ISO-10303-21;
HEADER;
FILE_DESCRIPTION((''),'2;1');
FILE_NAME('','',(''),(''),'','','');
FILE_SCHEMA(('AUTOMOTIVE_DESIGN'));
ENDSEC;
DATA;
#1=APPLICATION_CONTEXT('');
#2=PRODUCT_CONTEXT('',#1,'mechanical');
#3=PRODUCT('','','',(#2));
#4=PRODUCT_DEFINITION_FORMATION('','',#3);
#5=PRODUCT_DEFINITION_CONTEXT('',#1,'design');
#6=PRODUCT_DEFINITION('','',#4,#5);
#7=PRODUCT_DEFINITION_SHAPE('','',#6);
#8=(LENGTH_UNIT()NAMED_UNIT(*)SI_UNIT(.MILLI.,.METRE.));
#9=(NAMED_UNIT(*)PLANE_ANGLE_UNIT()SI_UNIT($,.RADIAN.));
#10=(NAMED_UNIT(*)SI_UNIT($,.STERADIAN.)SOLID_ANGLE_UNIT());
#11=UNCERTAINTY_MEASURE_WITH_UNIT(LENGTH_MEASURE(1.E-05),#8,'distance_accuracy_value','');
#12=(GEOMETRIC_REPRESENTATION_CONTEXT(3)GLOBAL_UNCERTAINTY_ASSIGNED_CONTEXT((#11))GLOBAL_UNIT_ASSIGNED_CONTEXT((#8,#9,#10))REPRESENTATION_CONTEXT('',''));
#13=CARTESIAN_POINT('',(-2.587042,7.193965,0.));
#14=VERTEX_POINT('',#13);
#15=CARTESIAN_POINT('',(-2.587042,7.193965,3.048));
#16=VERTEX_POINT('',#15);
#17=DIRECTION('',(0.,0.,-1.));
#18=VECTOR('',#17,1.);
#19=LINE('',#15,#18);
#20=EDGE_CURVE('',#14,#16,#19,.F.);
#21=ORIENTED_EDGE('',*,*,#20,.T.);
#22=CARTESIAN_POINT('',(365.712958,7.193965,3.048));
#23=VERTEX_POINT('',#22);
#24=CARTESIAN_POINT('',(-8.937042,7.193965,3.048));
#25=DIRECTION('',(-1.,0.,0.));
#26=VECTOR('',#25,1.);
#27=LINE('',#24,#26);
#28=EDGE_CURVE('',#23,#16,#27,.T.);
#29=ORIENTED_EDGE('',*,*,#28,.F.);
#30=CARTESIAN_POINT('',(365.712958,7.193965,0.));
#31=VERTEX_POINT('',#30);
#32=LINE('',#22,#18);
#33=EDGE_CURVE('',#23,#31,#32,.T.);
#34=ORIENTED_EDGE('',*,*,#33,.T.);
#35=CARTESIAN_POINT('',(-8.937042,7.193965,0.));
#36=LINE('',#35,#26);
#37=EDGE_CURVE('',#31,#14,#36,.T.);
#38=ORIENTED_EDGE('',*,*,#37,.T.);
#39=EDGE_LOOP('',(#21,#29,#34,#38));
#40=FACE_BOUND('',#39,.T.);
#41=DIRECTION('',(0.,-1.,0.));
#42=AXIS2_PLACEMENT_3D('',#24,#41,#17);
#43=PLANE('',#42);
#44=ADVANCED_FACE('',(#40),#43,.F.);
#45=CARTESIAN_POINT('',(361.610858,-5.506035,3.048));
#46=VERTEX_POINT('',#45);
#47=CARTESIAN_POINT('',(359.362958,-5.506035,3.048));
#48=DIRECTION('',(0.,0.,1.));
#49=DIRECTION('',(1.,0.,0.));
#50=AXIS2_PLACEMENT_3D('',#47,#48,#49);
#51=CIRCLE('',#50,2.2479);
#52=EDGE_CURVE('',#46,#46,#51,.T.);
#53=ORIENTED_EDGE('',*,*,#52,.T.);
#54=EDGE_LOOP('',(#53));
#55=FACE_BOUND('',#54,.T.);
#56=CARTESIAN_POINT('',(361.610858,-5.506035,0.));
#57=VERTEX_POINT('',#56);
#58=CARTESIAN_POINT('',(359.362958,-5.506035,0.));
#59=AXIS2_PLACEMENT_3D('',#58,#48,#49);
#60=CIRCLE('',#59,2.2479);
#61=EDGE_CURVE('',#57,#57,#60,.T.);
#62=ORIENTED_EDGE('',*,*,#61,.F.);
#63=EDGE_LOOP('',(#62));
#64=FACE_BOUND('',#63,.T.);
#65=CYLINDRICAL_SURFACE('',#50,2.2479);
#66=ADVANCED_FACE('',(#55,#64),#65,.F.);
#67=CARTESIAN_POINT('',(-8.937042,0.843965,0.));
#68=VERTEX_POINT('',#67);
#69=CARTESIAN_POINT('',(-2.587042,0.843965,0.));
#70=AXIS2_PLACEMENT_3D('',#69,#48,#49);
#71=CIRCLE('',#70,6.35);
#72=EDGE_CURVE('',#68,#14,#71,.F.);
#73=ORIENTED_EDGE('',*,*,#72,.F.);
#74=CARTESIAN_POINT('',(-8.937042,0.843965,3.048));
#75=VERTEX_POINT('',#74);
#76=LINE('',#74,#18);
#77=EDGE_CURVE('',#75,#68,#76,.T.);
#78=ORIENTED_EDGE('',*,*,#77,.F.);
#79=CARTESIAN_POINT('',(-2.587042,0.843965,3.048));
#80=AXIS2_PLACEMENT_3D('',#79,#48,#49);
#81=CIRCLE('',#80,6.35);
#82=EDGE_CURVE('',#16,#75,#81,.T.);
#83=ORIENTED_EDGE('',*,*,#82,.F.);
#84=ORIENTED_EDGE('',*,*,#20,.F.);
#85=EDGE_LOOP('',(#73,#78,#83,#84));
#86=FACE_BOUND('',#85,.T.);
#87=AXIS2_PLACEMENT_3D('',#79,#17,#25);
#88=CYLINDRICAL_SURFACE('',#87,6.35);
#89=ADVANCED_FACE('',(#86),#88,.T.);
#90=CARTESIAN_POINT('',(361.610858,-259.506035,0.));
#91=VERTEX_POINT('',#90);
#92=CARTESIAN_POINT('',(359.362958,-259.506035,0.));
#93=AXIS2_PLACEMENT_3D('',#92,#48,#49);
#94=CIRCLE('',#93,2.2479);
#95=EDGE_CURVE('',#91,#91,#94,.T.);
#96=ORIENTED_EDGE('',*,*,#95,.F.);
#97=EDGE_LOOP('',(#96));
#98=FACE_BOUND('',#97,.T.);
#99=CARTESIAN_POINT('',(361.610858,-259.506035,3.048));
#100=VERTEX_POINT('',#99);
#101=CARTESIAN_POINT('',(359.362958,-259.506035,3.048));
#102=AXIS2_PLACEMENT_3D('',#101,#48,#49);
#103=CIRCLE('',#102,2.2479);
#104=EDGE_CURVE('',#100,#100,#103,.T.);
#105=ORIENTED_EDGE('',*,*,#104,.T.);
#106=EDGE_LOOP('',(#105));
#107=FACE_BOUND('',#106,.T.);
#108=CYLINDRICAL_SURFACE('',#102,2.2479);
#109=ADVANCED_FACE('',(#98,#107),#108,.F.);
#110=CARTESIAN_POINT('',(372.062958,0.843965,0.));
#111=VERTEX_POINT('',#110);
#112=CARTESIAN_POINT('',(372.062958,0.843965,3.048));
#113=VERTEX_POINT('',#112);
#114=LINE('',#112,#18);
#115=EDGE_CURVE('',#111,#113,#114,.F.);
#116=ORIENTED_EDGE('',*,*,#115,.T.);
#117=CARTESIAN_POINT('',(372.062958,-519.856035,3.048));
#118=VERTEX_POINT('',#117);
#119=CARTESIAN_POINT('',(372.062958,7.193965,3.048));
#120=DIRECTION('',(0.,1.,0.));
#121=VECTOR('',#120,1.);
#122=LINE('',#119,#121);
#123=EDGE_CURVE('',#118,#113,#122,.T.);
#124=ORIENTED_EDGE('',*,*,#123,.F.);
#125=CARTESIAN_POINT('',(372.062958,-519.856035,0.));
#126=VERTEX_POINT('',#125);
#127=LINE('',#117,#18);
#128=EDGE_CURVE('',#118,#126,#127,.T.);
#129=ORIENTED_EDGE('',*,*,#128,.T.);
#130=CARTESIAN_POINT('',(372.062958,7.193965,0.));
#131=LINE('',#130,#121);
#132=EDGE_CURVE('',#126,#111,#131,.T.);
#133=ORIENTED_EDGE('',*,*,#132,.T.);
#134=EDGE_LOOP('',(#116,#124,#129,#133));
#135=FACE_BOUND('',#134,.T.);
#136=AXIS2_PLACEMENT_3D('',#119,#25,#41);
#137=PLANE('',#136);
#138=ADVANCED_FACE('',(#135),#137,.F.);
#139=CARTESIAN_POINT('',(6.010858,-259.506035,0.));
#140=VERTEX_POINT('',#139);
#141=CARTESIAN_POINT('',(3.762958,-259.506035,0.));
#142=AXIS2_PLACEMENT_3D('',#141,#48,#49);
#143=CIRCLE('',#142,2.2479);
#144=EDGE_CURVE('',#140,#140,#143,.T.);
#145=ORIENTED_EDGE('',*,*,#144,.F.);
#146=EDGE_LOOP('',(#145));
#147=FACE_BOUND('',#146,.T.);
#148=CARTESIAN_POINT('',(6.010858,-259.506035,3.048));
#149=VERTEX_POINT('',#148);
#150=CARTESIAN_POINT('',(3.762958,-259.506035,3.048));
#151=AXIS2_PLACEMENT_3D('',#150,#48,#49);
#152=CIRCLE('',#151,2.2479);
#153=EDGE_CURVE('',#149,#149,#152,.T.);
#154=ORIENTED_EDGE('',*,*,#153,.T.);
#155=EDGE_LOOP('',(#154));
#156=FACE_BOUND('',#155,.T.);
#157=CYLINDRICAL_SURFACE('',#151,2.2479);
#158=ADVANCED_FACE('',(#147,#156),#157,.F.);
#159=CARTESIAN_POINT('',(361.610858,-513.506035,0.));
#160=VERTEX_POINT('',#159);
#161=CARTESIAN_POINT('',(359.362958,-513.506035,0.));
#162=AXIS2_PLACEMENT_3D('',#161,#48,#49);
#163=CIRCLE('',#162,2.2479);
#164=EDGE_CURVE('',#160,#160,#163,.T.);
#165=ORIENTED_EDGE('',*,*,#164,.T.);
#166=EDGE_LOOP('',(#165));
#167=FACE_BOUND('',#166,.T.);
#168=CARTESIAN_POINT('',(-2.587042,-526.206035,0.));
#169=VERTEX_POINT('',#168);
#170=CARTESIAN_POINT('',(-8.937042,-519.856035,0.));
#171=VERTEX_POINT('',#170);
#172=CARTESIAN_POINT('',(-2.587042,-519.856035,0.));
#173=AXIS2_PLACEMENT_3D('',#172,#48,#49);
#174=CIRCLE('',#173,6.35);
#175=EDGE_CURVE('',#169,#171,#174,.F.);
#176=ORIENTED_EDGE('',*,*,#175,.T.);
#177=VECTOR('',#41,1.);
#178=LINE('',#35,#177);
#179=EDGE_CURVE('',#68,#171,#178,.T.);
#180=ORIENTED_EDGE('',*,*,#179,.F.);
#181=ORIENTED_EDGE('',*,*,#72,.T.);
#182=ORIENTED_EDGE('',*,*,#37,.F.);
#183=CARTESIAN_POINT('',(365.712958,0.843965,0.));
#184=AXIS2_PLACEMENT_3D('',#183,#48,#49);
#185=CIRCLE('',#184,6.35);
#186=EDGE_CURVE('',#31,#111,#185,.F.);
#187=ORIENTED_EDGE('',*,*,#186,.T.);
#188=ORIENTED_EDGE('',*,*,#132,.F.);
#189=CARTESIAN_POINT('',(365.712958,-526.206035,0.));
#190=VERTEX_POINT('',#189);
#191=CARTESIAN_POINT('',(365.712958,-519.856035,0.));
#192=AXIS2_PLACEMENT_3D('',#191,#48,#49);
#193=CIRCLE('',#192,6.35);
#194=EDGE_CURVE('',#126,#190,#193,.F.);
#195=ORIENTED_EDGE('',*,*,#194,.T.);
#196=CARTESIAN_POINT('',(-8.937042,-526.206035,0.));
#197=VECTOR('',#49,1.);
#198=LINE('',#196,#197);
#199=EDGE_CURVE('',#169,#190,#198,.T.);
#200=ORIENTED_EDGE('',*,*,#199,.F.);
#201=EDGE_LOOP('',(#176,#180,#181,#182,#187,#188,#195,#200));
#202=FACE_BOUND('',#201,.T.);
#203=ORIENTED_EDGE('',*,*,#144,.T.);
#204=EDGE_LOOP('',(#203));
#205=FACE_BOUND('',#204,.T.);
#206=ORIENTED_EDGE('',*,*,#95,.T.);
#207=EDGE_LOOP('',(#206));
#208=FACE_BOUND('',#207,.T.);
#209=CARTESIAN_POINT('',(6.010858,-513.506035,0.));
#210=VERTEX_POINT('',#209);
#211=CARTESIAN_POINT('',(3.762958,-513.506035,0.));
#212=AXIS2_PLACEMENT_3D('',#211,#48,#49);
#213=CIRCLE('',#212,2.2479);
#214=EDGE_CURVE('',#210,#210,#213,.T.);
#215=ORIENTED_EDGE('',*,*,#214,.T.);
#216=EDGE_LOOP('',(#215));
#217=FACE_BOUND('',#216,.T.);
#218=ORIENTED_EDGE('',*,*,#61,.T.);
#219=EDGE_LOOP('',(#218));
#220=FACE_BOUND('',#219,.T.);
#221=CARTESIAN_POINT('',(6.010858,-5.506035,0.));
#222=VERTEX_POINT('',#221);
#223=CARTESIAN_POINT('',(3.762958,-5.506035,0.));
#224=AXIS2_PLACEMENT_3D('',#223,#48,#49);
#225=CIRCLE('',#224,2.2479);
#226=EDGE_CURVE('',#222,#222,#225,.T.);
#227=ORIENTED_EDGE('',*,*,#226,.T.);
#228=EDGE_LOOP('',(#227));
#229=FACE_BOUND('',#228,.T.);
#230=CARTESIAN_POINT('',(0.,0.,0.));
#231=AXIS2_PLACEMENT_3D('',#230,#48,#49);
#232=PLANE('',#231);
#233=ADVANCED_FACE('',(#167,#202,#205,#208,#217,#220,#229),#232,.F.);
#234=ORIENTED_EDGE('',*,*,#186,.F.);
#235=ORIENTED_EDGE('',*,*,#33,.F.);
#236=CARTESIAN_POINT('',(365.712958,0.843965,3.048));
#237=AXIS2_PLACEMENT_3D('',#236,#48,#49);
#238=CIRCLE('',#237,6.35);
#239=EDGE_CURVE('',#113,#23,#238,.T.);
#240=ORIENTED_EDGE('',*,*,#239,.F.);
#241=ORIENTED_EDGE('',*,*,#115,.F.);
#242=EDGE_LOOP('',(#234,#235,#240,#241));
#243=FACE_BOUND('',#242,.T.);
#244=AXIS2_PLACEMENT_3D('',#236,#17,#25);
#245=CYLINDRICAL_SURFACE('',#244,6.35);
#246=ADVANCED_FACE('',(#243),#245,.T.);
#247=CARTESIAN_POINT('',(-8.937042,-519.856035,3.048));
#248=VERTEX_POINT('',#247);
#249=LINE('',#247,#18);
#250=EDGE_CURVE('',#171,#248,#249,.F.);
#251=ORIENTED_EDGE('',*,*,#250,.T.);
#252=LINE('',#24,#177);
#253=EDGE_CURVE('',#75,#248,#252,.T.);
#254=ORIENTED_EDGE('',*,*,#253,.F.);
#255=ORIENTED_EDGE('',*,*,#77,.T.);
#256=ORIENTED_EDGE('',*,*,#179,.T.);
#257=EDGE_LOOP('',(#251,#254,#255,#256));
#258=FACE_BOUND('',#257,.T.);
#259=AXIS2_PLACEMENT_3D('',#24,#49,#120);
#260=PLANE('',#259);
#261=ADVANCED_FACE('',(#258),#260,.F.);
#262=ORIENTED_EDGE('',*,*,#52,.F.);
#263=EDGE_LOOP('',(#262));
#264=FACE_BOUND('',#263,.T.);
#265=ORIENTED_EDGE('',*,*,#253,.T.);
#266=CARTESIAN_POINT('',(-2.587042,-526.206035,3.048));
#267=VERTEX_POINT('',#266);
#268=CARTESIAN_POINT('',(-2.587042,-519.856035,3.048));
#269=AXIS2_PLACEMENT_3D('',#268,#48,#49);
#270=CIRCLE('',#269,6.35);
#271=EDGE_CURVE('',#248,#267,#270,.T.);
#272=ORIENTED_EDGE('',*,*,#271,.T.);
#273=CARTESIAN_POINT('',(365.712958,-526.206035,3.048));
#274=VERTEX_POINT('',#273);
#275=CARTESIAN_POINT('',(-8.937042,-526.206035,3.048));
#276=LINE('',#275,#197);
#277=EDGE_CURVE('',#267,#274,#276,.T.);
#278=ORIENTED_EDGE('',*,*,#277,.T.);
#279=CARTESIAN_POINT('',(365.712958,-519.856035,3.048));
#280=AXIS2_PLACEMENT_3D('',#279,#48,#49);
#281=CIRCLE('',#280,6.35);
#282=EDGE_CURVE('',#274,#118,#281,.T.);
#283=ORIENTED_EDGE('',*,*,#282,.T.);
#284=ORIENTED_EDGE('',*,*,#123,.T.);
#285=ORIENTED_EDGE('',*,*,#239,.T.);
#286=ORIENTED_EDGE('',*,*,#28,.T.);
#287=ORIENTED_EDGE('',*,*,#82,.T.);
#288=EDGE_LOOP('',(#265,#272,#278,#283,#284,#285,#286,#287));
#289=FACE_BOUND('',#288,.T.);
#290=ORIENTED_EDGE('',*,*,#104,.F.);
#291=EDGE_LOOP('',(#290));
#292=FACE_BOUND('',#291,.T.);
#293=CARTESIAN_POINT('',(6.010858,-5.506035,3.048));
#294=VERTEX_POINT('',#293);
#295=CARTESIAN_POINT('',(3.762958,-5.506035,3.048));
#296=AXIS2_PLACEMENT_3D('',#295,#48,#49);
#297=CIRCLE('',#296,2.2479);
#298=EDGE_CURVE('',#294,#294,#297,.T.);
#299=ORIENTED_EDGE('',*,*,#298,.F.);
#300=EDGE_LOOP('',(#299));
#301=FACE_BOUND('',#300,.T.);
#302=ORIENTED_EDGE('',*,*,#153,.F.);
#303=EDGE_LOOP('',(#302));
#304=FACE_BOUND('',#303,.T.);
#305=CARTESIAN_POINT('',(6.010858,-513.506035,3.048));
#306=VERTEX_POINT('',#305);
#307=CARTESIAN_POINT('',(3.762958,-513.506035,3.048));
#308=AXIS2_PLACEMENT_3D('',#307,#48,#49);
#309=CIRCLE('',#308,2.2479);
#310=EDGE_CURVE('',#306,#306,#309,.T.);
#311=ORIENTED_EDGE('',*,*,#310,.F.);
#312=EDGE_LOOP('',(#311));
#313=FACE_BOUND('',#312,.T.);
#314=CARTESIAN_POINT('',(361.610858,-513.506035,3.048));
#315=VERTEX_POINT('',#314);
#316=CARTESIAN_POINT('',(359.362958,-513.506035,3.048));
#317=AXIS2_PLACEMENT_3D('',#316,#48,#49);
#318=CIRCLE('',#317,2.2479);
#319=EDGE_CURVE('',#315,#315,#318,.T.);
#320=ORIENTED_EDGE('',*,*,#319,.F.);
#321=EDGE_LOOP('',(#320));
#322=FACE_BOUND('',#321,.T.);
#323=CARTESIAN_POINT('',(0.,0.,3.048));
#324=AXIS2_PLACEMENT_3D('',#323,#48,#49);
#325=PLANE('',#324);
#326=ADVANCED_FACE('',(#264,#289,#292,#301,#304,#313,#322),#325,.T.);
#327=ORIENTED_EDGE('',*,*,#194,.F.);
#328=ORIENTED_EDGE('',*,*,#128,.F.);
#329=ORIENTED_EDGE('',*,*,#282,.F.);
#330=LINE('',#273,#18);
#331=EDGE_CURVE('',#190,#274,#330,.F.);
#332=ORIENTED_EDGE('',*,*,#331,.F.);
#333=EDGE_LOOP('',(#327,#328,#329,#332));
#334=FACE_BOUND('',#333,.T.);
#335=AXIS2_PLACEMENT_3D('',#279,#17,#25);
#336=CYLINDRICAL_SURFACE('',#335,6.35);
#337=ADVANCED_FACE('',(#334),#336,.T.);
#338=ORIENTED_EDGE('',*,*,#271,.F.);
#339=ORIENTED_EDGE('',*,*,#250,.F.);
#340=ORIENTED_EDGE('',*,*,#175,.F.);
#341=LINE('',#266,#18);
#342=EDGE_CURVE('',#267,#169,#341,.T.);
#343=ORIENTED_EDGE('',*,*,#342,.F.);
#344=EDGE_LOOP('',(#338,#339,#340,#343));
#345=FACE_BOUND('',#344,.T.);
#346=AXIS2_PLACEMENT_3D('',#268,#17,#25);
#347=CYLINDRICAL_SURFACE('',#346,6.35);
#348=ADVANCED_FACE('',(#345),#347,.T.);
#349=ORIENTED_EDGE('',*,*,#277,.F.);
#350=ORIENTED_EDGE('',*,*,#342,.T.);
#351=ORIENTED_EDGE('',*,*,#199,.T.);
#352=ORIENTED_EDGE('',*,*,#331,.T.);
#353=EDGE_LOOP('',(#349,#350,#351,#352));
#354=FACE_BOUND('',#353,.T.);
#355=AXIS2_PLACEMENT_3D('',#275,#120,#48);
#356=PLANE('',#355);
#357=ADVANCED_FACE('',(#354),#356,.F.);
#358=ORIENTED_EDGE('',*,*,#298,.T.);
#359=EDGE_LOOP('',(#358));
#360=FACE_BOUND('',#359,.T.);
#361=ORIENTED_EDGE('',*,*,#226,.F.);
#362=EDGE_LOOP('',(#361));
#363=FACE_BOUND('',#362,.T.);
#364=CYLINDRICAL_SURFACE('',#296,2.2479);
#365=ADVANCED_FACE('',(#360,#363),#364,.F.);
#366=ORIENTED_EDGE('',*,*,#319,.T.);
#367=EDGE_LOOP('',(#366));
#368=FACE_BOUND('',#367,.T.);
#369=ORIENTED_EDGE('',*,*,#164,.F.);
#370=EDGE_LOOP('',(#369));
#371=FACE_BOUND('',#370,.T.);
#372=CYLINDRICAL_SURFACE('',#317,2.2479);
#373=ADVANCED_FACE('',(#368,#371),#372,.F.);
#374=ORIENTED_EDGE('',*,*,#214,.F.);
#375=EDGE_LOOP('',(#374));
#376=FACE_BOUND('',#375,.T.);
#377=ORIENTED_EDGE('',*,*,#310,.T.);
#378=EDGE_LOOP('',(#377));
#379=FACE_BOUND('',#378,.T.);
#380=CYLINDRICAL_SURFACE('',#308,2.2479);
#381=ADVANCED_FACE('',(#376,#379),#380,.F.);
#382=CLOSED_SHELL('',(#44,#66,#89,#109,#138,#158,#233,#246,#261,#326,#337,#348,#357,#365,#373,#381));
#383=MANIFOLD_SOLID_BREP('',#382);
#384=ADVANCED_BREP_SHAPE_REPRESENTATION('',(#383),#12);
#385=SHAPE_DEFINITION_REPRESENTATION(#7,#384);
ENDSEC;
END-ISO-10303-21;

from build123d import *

# Parameters (mm, degrees)
SKETCH1_W                 = 381
SKETCH1_H                 = 533.4
BOSS_EXTRUDE1_DEPTH       = 3.048
FILLET1_R                 = 6.35
F_8_CLEARANCE_SLOT1_D     = 4.4958
F_8_CLEARANCE_SLOT1_DEPTH = 9.652
F_8_CLEARANCE_SLOT1_TIP   = 1.350674586


with BuildPart() as part:
    # Sketch1 → Boss-Extrude1 (new body)
    with BuildSketch(Plane.XY):
        with Locations((181.562957728, -259.506034901)):
            Rectangle(SKETCH1_W, SKETCH1_H)
    extrude(amount=BOSS_EXTRUDE1_DEPTH)

    # Fillet1
    fillet1_edges = [part.edges().sort_by_distance(p)[0] for p in [
        (-8.937042272, 7.193965099, 1.524),
        (372.062957728, 7.193965099, 1.524),
        (372.062957728, -526.206034901, 1.524),
        (-8.937042272, -526.206034901, 1.524),
    ]]
    fillet(fillet1_edges, radius=FILLET1_R)

    # #8 Clearance Slot1
    with Locations(Plane.XY.offset(3.048)):
        with Locations((3.762957728, -5.506034901), (3.762957728, -259.506034901), (3.762957728, -513.506034901), (359.362957728, -513.506034901), (359.362957728, -259.506034901), (359.362957728, -5.506034901)):
            Hole(F_8_CLEARANCE_SLOT1_D / 2, depth=F_8_CLEARANCE_SLOT1_DEPTH)
            with Locations((0, 0, -(F_8_CLEARANCE_SLOT1_DEPTH + F_8_CLEARANCE_SLOT1_TIP / 2))):  # 118° drill point
                Cone(0, F_8_CLEARANCE_SLOT1_D / 2, F_8_CLEARANCE_SLOT1_TIP, mode=Mode.SUBTRACT)


solid = part.part
